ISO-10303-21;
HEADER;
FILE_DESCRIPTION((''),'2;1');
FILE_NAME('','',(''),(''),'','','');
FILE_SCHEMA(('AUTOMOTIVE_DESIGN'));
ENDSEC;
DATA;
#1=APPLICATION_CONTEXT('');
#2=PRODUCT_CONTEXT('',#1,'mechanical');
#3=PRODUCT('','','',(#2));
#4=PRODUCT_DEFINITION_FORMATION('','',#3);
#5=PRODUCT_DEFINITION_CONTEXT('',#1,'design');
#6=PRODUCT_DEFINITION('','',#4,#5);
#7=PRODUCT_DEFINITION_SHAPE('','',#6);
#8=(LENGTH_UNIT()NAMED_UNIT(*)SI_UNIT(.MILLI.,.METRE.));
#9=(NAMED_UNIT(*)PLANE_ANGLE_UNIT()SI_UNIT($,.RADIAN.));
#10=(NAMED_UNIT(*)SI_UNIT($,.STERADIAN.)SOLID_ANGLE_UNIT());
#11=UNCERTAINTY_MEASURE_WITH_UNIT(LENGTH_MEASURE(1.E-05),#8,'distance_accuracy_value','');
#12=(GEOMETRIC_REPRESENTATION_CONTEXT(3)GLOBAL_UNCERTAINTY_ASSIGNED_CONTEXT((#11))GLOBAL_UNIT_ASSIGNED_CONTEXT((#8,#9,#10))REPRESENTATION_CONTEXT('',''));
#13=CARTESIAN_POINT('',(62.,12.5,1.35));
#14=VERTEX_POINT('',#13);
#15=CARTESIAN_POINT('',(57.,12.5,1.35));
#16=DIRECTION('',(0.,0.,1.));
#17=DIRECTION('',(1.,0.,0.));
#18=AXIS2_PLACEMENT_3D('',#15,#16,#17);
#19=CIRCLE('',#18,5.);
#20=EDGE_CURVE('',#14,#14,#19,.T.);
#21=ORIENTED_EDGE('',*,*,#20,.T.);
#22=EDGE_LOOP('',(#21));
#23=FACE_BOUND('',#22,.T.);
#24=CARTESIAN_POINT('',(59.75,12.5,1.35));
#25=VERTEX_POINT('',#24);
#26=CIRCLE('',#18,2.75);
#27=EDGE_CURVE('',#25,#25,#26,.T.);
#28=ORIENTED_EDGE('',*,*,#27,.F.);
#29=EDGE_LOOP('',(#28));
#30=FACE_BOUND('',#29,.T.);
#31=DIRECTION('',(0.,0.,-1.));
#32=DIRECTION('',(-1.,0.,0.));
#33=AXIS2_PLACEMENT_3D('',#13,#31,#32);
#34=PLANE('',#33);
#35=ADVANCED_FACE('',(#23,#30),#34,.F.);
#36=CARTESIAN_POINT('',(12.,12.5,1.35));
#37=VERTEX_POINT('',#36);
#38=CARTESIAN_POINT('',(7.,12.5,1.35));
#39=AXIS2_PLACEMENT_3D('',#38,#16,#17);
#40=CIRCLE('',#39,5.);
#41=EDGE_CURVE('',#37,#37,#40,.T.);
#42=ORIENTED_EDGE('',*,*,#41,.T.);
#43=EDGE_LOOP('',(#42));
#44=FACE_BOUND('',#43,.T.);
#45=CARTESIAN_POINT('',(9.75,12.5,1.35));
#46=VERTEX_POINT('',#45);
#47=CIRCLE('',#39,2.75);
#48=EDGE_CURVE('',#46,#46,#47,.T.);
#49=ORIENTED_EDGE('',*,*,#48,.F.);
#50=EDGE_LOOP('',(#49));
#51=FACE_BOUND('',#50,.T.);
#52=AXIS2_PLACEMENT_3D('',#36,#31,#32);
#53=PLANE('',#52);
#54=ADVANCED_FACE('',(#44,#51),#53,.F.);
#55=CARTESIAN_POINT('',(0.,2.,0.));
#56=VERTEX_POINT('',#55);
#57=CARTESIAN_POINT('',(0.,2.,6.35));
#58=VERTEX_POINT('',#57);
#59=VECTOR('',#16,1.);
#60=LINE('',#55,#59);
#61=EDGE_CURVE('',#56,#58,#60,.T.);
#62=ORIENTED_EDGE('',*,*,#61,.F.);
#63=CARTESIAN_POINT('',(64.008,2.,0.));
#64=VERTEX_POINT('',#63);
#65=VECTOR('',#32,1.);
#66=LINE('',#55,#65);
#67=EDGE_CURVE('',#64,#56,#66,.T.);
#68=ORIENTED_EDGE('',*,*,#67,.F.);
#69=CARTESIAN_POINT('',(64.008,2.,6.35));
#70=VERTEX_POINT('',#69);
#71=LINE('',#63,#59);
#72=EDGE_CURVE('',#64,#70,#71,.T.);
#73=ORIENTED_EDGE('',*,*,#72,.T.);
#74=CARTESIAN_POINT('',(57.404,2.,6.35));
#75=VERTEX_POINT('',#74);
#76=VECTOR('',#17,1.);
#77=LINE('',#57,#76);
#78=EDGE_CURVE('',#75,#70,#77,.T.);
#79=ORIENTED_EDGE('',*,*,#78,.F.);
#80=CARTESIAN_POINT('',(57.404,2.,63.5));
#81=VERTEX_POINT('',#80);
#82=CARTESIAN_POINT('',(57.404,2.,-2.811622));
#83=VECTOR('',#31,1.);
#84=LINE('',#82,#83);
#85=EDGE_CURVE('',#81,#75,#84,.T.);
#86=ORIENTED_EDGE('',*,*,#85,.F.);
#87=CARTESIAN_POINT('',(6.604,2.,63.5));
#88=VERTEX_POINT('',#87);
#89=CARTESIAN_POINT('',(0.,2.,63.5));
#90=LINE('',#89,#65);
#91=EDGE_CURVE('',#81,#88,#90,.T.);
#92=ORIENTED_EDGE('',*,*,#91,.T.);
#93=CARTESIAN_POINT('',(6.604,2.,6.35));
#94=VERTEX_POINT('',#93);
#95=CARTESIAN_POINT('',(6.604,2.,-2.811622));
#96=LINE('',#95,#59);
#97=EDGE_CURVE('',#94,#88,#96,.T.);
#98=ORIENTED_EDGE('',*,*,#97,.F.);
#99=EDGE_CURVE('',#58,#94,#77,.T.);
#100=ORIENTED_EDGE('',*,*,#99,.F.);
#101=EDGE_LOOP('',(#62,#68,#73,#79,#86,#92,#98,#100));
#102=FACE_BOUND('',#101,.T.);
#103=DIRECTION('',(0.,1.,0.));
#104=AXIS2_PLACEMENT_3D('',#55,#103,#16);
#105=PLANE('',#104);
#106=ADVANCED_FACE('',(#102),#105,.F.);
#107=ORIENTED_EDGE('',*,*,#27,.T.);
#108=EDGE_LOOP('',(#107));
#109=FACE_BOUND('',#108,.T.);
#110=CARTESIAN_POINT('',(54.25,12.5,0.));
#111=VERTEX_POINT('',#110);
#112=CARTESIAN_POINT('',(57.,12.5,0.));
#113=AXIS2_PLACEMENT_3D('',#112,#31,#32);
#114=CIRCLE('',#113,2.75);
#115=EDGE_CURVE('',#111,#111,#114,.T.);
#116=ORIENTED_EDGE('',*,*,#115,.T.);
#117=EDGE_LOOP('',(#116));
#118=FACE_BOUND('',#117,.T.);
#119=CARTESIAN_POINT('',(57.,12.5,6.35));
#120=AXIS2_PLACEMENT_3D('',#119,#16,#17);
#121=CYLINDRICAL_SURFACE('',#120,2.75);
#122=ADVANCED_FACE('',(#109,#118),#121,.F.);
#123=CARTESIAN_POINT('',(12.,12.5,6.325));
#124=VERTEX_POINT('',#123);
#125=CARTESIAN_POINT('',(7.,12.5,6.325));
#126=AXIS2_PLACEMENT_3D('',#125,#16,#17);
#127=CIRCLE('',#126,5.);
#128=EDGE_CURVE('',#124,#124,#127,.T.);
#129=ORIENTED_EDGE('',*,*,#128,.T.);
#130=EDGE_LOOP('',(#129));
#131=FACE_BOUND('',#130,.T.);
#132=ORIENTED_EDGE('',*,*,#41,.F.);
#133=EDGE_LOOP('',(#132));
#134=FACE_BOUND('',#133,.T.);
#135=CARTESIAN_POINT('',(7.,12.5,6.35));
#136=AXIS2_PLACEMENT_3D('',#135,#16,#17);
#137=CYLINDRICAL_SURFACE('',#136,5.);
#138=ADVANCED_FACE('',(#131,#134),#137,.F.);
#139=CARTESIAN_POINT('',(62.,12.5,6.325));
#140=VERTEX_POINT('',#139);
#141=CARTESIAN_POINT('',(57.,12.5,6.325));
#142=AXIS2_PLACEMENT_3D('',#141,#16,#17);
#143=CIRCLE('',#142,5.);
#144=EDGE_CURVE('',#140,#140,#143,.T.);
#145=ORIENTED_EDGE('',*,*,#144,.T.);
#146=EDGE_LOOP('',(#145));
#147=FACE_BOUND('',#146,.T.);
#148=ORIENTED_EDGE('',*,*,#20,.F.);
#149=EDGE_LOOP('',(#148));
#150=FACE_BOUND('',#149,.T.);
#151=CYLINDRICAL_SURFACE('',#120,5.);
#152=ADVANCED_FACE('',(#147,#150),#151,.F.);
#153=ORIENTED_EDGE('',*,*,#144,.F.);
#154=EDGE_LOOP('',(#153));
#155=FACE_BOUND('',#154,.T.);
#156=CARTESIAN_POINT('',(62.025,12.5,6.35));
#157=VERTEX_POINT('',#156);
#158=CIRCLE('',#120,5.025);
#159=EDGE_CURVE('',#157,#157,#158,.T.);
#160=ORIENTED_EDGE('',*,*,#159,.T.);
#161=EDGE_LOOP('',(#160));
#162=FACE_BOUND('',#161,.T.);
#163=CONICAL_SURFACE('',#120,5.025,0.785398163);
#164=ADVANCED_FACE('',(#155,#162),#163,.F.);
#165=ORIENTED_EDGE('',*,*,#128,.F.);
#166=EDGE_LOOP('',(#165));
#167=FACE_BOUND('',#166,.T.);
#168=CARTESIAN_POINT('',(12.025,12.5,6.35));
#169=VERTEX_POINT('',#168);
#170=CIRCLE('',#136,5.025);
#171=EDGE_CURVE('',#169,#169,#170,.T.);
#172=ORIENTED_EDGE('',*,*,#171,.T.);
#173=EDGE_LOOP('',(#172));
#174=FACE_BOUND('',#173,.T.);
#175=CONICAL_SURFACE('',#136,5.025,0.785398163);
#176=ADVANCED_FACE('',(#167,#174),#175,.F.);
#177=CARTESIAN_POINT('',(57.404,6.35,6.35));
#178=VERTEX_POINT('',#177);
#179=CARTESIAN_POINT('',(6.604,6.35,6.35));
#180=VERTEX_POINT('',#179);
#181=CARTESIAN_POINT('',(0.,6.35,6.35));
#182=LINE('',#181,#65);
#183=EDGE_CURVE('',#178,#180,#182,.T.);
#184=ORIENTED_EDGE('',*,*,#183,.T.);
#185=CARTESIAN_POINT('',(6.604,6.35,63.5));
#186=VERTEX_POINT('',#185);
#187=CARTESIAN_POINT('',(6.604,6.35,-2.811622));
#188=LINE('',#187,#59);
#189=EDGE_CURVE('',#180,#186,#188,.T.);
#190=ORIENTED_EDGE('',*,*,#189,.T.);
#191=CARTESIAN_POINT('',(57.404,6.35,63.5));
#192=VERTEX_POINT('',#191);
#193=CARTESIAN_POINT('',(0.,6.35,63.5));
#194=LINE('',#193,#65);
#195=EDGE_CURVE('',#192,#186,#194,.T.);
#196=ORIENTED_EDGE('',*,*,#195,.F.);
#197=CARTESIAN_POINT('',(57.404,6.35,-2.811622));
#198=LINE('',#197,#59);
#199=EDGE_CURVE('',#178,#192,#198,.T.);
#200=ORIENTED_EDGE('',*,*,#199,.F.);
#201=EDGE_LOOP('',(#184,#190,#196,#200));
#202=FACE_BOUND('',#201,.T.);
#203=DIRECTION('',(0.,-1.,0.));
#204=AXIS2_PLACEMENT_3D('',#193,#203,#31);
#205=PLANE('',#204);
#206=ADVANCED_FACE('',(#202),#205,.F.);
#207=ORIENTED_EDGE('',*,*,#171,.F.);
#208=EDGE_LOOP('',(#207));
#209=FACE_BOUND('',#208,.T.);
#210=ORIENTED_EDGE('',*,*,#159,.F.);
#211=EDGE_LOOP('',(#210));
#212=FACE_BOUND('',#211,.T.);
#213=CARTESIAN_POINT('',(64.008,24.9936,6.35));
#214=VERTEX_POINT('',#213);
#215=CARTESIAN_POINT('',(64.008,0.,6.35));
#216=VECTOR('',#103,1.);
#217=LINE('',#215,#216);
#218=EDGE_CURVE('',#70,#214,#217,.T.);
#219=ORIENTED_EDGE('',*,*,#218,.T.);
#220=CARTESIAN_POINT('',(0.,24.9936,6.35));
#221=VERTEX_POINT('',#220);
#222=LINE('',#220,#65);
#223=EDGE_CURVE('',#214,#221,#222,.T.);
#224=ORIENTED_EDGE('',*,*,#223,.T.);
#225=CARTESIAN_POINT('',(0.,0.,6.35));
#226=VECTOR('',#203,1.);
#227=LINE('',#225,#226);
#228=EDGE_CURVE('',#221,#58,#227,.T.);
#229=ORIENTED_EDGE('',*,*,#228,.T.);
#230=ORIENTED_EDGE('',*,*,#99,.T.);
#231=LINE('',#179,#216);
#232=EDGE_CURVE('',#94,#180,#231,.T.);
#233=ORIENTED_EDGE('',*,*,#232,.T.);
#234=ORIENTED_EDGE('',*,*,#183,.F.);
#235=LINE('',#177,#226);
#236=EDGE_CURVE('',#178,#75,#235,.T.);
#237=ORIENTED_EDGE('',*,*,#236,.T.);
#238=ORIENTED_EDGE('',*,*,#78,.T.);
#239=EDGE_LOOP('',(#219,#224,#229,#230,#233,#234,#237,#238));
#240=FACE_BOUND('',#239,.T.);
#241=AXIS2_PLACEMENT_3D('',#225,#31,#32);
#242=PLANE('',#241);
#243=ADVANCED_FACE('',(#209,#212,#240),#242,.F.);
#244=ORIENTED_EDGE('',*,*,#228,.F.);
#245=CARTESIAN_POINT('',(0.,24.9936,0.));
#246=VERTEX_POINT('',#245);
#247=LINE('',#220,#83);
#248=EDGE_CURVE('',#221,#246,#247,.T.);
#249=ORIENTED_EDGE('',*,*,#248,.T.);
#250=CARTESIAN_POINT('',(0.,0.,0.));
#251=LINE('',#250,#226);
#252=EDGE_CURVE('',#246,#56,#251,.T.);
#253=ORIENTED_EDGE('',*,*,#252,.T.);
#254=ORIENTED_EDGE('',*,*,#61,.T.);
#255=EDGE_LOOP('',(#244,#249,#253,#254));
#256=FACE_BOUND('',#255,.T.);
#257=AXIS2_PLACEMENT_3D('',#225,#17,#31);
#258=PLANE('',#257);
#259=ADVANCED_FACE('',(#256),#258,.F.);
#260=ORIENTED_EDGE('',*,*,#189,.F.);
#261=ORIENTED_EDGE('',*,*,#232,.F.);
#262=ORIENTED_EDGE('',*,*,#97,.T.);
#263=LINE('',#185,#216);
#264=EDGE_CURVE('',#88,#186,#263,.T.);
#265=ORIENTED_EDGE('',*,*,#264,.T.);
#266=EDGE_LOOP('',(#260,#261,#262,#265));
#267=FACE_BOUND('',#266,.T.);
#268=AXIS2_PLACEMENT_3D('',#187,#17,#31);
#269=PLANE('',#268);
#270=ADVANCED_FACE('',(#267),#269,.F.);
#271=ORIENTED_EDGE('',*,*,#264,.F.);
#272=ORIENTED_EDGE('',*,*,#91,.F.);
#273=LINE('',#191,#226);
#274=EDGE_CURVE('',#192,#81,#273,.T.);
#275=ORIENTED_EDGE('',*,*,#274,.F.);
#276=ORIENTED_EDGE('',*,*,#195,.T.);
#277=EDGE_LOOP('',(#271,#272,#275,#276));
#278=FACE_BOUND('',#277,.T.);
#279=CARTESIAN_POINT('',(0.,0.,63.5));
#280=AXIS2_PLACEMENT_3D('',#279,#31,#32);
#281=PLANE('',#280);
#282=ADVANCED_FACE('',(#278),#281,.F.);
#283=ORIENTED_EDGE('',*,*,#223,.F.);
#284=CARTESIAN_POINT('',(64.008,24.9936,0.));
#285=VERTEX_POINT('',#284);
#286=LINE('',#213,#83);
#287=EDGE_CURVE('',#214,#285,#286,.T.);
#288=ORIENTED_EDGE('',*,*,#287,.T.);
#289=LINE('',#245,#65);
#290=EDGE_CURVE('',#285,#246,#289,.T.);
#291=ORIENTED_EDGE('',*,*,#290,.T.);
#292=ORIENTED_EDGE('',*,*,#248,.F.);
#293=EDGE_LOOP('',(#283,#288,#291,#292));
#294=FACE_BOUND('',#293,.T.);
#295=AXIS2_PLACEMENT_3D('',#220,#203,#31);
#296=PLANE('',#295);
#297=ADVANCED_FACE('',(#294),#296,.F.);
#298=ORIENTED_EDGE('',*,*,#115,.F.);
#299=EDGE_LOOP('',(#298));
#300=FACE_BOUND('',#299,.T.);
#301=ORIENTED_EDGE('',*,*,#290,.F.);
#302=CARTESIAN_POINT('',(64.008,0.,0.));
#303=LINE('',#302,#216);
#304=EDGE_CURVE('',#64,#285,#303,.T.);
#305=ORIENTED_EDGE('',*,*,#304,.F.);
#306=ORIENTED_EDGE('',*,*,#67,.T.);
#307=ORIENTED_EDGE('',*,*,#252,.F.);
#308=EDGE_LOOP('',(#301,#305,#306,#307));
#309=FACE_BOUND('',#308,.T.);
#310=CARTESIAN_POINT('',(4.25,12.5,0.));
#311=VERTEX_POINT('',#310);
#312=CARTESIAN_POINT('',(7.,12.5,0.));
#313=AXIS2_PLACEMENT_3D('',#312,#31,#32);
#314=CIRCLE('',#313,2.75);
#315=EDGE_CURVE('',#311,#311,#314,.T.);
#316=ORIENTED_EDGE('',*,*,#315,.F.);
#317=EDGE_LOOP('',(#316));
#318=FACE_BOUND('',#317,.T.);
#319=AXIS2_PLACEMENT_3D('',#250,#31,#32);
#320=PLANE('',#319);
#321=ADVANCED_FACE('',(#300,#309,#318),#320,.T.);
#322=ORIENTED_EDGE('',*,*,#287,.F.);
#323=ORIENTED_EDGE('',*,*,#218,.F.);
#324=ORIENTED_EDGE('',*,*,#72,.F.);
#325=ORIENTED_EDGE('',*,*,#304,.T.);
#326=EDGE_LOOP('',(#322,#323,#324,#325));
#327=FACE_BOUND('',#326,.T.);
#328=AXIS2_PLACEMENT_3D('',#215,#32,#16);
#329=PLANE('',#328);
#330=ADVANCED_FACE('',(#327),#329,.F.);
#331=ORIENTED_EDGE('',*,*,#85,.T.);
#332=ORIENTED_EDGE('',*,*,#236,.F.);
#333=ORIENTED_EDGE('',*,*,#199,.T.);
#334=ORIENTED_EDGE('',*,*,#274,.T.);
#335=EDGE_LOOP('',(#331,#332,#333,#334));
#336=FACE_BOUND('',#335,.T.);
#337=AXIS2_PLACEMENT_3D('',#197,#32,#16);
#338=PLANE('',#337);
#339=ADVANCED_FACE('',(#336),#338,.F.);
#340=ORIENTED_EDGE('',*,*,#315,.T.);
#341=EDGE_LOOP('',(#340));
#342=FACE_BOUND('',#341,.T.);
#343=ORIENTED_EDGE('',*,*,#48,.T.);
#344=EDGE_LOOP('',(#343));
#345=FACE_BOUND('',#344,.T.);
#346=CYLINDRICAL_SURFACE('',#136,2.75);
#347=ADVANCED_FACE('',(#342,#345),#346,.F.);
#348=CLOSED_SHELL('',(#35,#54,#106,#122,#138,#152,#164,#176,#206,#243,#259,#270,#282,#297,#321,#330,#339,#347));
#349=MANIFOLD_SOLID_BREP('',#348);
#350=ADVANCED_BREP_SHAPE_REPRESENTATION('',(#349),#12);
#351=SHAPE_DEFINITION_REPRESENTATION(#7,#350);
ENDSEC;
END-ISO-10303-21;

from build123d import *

# Parameters (mm, degrees)
SKETCH1_W                     = 64.008
SKETCH1_H                     = 24.9936
BOSS_EXTRUDE1_DEPTH           = 6.35
SKETCH2_W                     = 64.008
SKETCH2_H                     = 6.35
BOSS_EXTRUDE2_DEPTH           = 57.15
CBORE_FOR_M5_SHCS1_AT_2_COUNT = 2
CBORE_FOR_M5_SHCS1_AT_2_PITCH = 50
SKETCH8_W                     = 6.604
SKETCH8_H                     = 6.35
CUT_EXTRUDE1_DEPTH            = 57.15
CUT_EXTRUDE2_DEPTH            = 90.374641845
CUT_EXTRUDE2_DEPTH_BACK       = 90.374641845
SKETCH9_W                     = 64.008
SKETCH9_H                     = 2.000000064


with BuildPart() as part:
    # Sketch1 → Boss-Extrude1 (new body)
    with BuildSketch(Plane.XY):
        with Locations((32.004, 12.4968)):
            Rectangle(SKETCH1_W, SKETCH1_H)
    extrude(amount=BOSS_EXTRUDE1_DEPTH)

    # Sketch2 → Boss-Extrude2 (add)
    with BuildSketch(Plane.XY.offset(6.35)):
        with Locations((32.004, 3.175)):
            Rectangle(SKETCH2_W, SKETCH2_H)
    extrude(amount=BOSS_EXTRUDE2_DEPTH)

    # Sketch7 → CBORE for M5 SHCS1 (revolve, cut)
    with BuildSketch(Plane(origin=(7, 12.5, 6.35), x_dir=(0, -1, 0), z_dir=(1, 0, 0))):
        Polygon((0, 0), (0, 6.35), (2.75, 6.35), (2.75, 5), (5, 5), (5, 0.025), (5.025, 0), align=None)
    cbore_for_m5_shcs1 = revolve(axis=Axis((7, 12.5, 12.7), (0, 0, -1)), mode=Mode.SUBTRACT)

    # CBORE for M5 SHCS1 at 2: CBORE for M5 SHCS1 ×2
    with Locations(*[(i * CBORE_FOR_M5_SHCS1_AT_2_PITCH, 0, 0) for i in range(1, CBORE_FOR_M5_SHCS1_AT_2_COUNT)]):
        add(cbore_for_m5_shcs1, mode=Mode.SUBTRACT)

    # Sketch8 → Cut-Extrude1 (cut)
    with BuildSketch(Plane.XY.offset(63.5)):
        with Locations((3.302, 3.175)):
            Rectangle(SKETCH8_W, SKETCH8_H)
        with Locations((60.706, 3.175)):
            Rectangle(SKETCH8_W, SKETCH8_H)
    extrude(amount=-CUT_EXTRUDE1_DEPTH, mode=Mode.SUBTRACT)

    # Sketch9 → Cut-Extrude2 (cut, two sides: drawn at the far end of the back side and taken through both)
    with BuildSketch(Plane.XY.offset(6.35).offset(-CUT_EXTRUDE2_DEPTH_BACK)):
        with Locations((32.004, 1.000000032)):
            Rectangle(SKETCH9_W, SKETCH9_H)
    extrude(amount=CUT_EXTRUDE2_DEPTH + CUT_EXTRUDE2_DEPTH_BACK, mode=Mode.SUBTRACT)


solid = part.part
